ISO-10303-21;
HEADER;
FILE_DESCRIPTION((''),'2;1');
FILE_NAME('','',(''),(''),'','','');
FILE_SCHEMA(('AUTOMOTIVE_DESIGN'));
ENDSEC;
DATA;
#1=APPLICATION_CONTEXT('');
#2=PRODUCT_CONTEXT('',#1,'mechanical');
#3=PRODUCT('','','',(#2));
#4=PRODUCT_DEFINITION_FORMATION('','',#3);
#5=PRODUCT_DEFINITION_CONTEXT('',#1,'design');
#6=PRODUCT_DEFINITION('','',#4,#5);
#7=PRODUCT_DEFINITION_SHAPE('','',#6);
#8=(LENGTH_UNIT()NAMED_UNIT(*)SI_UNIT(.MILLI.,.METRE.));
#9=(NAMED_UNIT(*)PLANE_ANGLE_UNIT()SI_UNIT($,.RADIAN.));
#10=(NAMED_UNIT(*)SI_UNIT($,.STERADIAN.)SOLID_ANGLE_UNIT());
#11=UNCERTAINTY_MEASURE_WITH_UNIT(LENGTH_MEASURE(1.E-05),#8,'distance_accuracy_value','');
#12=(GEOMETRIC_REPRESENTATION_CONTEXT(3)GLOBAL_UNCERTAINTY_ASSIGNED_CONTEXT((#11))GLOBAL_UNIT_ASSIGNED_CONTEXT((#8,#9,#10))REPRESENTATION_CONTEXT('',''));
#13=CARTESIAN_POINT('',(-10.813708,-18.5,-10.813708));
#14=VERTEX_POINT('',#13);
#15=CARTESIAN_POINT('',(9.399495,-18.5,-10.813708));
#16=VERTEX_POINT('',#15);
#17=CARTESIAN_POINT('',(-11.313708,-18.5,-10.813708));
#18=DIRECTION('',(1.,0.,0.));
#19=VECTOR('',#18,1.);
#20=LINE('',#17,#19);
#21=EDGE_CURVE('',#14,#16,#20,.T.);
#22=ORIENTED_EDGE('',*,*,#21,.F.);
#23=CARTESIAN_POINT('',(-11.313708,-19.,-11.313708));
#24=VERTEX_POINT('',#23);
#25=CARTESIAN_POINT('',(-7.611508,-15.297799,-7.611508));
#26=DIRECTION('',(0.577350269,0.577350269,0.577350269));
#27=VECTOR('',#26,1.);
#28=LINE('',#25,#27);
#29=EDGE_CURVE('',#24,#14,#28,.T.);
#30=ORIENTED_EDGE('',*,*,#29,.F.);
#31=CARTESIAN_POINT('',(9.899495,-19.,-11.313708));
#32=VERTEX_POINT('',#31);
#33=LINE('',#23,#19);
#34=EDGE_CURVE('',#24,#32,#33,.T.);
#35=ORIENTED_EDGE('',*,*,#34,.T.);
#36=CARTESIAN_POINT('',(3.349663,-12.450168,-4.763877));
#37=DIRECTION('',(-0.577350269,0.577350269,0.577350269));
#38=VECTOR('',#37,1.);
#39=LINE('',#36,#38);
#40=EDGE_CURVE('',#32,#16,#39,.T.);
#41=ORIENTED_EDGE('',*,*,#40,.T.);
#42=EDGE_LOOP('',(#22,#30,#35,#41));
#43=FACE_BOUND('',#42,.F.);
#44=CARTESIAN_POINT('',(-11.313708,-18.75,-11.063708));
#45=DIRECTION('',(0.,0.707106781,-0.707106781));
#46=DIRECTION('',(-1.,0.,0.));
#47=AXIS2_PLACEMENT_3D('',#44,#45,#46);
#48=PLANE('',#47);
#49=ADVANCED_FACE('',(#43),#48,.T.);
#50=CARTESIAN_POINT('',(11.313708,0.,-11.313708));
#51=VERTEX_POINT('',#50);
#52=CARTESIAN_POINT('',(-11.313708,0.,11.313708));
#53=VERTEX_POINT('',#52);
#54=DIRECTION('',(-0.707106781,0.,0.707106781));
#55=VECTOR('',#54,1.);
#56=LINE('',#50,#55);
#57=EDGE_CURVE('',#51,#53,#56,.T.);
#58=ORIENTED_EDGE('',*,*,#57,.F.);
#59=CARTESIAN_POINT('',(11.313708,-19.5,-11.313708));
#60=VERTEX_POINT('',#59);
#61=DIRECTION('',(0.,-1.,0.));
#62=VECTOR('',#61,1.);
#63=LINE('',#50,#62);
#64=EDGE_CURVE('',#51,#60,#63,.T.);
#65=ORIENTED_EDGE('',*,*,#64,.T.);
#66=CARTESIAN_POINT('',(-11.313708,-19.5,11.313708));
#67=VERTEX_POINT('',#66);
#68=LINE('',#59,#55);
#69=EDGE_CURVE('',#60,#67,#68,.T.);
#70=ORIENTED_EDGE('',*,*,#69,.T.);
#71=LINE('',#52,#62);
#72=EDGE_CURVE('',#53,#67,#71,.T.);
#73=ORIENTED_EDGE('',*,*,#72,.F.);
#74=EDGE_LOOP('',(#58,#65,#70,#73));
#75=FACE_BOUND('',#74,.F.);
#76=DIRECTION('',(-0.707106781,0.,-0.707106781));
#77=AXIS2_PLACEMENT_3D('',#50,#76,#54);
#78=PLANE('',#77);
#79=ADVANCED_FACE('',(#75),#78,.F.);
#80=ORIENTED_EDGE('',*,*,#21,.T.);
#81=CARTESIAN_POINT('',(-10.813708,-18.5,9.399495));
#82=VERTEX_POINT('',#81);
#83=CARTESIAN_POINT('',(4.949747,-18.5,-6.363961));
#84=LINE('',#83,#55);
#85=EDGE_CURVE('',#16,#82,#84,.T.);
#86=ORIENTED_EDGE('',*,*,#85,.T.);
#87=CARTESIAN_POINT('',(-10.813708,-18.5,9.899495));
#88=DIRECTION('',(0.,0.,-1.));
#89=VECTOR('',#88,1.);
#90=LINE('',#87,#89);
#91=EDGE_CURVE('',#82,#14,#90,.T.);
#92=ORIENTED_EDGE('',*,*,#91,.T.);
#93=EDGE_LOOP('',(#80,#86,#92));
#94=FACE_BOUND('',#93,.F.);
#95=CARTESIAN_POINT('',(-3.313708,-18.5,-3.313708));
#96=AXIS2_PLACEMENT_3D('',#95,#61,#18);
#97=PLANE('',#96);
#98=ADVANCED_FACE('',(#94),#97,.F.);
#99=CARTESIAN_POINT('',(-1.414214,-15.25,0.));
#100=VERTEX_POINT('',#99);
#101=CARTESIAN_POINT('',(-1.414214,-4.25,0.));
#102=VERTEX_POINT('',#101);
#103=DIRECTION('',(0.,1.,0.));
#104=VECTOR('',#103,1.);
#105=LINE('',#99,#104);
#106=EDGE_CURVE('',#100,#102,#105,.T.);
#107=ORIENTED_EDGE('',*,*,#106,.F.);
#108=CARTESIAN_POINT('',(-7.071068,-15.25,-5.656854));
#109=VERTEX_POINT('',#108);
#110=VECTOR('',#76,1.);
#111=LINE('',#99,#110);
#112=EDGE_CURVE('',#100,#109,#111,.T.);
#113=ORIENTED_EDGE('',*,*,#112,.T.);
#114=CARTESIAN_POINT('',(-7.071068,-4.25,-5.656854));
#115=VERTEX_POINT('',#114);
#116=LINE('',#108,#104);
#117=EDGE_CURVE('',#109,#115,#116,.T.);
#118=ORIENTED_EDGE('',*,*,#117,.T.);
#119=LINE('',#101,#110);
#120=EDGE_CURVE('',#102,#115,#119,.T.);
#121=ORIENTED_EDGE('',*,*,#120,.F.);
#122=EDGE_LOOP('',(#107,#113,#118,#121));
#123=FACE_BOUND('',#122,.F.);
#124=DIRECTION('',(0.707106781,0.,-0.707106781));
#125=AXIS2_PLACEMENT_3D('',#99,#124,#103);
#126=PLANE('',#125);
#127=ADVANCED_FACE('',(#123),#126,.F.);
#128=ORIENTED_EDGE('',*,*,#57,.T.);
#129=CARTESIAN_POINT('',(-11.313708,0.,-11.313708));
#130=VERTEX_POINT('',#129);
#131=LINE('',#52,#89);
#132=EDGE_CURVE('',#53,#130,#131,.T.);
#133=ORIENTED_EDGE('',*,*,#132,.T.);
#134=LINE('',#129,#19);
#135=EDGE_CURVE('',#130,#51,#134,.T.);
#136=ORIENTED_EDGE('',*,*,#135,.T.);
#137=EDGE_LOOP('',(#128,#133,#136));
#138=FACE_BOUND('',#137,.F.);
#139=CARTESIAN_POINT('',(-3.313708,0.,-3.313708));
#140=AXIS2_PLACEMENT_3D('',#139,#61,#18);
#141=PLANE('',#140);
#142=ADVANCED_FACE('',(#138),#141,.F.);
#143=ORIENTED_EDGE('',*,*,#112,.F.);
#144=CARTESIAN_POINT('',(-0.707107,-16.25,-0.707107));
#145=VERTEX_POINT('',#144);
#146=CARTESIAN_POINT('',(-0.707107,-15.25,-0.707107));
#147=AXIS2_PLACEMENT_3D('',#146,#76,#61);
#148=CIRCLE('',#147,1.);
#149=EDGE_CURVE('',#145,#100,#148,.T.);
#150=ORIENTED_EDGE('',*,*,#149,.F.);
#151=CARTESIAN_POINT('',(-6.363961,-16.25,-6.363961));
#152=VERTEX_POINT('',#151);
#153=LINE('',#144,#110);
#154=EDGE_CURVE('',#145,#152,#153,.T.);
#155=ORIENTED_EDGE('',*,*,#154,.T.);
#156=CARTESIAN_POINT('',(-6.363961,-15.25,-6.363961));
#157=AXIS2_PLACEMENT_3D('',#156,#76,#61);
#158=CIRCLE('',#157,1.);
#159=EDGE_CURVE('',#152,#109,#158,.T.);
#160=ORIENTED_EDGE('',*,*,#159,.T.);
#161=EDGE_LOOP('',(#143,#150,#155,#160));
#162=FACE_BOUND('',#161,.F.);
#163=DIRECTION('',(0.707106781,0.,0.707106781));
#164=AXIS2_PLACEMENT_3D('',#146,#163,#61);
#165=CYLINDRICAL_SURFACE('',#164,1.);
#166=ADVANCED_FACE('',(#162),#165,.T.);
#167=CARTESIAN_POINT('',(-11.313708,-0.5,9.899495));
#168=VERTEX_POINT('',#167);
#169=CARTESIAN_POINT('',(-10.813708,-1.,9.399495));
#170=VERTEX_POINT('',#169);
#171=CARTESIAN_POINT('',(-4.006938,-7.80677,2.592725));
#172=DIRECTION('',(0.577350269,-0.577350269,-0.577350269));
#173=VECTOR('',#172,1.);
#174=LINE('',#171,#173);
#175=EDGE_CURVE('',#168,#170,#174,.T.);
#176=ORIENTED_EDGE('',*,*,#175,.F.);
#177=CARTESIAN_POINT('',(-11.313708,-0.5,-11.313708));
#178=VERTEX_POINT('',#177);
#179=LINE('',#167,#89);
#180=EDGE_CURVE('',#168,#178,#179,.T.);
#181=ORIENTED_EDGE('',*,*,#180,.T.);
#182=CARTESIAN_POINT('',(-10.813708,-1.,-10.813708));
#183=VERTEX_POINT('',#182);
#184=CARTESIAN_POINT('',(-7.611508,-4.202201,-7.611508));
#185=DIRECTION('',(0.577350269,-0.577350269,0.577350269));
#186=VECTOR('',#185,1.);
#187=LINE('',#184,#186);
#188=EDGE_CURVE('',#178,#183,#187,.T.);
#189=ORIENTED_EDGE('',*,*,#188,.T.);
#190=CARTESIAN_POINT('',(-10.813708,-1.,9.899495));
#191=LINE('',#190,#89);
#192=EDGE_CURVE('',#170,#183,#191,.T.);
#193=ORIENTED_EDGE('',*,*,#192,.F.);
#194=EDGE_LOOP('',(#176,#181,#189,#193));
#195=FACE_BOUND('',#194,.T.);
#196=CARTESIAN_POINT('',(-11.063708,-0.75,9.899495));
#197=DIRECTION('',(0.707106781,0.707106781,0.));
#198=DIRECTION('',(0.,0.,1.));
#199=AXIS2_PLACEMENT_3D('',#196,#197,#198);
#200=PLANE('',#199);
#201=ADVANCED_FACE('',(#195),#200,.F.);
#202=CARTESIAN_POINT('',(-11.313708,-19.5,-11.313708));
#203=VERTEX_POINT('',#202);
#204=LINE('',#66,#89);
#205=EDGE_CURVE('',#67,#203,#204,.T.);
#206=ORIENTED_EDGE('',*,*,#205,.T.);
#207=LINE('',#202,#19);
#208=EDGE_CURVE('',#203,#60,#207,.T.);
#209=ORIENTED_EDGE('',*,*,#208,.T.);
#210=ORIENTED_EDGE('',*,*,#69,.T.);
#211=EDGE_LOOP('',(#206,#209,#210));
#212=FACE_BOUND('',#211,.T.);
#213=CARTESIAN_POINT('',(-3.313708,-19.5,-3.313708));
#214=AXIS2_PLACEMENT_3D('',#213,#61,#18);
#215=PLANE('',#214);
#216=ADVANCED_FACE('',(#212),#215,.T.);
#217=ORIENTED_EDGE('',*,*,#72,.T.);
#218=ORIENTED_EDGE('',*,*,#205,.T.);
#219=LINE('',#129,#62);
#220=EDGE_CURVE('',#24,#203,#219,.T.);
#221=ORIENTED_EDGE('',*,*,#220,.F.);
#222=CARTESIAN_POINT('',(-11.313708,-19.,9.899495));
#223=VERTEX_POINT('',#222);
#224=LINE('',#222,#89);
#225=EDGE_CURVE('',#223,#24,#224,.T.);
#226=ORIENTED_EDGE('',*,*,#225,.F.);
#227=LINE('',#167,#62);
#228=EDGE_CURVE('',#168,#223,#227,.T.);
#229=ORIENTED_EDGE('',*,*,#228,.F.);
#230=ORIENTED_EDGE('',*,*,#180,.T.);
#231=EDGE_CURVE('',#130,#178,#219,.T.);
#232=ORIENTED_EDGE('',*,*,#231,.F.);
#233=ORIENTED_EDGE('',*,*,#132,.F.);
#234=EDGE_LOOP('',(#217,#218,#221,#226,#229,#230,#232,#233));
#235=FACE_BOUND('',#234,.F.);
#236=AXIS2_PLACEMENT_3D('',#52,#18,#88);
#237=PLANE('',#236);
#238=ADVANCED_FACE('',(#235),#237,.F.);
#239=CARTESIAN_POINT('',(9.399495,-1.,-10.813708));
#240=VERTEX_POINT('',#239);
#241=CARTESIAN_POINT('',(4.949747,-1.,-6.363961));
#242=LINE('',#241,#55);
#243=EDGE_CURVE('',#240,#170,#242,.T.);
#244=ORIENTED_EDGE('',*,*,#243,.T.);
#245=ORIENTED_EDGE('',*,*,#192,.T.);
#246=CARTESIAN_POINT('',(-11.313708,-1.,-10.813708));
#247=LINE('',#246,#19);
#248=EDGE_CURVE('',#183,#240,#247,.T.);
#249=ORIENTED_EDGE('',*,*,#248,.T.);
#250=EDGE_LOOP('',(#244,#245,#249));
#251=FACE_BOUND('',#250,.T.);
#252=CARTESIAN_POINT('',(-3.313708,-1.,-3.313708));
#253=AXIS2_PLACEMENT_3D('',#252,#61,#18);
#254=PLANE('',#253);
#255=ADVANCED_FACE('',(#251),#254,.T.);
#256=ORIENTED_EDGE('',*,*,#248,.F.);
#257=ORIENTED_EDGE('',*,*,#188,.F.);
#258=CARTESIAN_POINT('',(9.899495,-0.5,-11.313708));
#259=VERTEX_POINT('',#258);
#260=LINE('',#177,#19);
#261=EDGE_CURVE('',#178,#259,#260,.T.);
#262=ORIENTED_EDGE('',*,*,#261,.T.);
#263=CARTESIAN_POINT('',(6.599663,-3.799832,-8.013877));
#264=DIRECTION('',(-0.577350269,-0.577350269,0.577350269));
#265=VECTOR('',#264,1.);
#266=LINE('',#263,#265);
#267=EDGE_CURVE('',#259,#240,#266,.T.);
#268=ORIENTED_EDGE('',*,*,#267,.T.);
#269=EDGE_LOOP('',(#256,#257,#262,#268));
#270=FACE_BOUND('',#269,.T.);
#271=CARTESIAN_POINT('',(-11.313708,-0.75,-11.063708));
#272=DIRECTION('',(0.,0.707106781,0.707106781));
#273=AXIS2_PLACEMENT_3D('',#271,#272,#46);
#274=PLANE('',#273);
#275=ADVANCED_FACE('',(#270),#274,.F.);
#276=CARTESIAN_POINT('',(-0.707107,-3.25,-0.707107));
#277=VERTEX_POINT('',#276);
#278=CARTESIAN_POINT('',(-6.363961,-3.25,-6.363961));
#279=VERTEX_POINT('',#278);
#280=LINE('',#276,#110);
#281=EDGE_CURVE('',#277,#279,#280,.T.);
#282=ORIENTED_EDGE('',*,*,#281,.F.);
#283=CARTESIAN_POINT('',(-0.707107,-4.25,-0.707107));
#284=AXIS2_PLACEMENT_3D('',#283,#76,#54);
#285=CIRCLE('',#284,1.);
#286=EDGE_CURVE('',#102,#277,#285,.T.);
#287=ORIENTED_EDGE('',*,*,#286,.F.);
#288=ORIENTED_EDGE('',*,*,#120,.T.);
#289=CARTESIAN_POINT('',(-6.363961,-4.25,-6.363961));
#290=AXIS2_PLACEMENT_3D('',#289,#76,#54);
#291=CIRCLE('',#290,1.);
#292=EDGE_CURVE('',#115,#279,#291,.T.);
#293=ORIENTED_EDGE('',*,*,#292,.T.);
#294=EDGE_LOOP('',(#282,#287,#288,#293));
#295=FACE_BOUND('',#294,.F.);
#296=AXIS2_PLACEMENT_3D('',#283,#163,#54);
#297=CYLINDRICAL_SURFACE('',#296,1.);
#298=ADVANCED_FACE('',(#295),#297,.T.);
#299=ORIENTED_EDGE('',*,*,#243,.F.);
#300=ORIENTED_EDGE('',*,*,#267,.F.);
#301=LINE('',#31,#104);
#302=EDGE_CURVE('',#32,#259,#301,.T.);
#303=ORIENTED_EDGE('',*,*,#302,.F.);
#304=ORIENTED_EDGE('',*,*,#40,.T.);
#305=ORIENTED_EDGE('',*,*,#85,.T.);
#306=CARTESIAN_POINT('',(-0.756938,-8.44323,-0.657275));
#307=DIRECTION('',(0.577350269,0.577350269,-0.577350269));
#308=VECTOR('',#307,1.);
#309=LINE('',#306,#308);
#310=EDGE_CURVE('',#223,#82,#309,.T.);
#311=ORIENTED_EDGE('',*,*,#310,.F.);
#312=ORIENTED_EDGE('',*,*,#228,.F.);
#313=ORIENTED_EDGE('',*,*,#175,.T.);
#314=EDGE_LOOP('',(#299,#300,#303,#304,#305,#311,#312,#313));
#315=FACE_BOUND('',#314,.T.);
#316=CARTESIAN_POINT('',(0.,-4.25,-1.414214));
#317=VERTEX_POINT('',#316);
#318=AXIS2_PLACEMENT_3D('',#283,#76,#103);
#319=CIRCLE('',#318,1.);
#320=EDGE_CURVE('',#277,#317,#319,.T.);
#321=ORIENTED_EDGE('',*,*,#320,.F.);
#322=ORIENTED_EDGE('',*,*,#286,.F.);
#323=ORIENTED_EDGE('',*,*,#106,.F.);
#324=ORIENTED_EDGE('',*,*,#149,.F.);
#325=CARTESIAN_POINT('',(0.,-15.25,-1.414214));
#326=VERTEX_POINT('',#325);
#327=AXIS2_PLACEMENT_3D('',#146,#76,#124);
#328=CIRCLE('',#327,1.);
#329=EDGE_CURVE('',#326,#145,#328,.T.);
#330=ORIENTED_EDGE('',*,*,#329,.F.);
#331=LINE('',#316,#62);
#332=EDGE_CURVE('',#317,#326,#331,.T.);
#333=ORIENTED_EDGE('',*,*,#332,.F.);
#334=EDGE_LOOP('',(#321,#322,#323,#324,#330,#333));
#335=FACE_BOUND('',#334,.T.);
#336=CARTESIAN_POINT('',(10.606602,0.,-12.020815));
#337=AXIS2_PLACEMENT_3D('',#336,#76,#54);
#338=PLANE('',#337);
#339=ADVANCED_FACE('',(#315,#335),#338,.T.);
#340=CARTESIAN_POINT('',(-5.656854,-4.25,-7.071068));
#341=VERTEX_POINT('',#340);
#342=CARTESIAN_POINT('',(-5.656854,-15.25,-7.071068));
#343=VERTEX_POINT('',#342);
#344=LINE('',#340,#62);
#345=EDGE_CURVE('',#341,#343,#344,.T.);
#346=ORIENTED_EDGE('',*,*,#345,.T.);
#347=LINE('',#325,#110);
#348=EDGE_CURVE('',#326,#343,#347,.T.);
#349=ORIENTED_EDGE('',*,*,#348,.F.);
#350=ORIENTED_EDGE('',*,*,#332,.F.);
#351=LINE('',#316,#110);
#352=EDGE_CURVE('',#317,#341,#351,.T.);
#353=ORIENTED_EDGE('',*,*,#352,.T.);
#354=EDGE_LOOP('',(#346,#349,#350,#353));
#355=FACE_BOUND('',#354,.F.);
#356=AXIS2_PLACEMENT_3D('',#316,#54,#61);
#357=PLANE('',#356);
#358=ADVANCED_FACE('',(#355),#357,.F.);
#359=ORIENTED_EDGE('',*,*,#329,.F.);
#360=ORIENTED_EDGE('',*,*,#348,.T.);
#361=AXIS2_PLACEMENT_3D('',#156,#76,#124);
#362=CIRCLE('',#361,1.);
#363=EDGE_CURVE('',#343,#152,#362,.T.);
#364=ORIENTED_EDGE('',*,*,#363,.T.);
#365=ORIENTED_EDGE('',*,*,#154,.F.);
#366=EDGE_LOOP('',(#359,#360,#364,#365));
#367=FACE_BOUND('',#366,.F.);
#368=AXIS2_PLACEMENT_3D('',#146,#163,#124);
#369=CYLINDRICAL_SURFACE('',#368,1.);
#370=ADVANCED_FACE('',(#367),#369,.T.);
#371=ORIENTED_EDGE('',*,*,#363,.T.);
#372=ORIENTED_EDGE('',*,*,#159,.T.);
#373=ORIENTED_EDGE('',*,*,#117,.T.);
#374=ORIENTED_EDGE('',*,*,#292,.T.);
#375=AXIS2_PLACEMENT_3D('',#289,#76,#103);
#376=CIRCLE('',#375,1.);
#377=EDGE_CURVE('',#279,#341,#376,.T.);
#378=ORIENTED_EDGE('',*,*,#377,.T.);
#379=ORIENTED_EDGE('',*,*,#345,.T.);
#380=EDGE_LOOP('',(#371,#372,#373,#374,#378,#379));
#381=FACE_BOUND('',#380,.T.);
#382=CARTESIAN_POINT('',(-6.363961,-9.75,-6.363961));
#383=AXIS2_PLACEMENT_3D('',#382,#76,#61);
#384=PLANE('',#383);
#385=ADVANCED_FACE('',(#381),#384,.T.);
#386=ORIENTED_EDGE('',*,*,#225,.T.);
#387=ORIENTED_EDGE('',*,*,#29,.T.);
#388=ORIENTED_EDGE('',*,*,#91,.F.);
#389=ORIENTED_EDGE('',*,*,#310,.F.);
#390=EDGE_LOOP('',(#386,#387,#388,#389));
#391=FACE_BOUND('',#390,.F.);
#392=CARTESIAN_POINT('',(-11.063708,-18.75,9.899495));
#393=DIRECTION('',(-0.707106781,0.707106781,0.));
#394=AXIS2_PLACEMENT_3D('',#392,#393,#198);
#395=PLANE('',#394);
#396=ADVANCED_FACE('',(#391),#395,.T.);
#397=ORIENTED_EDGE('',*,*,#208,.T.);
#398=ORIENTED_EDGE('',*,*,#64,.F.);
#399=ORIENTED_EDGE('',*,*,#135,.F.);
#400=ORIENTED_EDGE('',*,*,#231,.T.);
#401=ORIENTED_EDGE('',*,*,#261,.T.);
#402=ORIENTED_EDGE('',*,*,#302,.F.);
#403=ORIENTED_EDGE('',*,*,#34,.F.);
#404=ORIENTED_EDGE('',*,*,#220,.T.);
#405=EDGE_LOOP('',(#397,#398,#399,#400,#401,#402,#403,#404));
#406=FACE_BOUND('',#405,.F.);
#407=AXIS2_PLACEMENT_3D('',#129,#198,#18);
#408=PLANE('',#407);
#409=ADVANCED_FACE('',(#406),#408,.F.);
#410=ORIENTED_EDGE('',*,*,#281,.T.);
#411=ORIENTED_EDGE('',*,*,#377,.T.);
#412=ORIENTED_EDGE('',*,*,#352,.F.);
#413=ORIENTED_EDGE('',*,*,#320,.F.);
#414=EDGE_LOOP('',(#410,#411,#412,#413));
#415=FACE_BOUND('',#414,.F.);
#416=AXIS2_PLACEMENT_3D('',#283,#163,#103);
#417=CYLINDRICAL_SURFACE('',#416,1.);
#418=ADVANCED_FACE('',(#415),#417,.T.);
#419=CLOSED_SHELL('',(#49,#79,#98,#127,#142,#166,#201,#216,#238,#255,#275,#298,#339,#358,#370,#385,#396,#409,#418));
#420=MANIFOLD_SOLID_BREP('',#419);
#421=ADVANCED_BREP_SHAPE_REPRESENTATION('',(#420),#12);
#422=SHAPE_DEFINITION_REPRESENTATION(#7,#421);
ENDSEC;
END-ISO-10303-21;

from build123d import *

# Parameters (mm, degrees)
F1_DEPTH = 19.5
F2_T     = -1
F4_DEPTH = 8
F5_SIZE  = 0.5


with BuildPart() as f1:
    # F0 (on Front) → F1 (new body)
    with BuildSketch(Plane.XZ):
        Polygon((-11.313708499, 11.313708499), (-11.313708499, -11.313708499), (11.313708499, -11.313708499), align=None)
    extrude(amount=F1_DEPTH)

    # F2
    f2_openings = [f1.faces().sort_by_distance(p)[0] for p in [
        (0, -9.75, -11.313708),
        (-11.313708, -9.75, 0),
    ]]
    offset(amount=F2_T, openings=f2_openings)

    # F3 (on face) → F4 (join)
    with BuildSketch(Plane(origin=(-0.7071067812, 0, -0.7071067812), x_dir=(0, -1, 0), z_dir=(-0.7071067812, 0, -0.7071067812))):
        with BuildLine():
            Line((15.25, 1), (4.25, 1))
            ThreePointArc((4.25, 1), (3.5428932188, 0.7071067812), (3.25, 0))
            ThreePointArc((3.25, 0), (3.5428932188, -0.7071067812), (4.25, -1))
            Line((4.25, -1), (15.25, -1))
            ThreePointArc((15.25, -1), (15.9571067812, -0.7071067812), (16.25, 0))
            ThreePointArc((16.25, 0), (15.9571067812, 0.7071067812), (15.25, 1))
        make_face()
    extrude(amount=F4_DEPTH)

    # F5
    f5_edges = [f1.edges().sort_by_distance(p)[0] for p in [
        (-0.707107, -1, -11.313708),
        (-11.313708, -1, -0.707107),
        (-11.313708, -18.5, -0.707107),
        (-0.707107, -18.5, -11.313708),
    ]]
    chamfer(f5_edges, length=F5_SIZE)


solid = f1.part
